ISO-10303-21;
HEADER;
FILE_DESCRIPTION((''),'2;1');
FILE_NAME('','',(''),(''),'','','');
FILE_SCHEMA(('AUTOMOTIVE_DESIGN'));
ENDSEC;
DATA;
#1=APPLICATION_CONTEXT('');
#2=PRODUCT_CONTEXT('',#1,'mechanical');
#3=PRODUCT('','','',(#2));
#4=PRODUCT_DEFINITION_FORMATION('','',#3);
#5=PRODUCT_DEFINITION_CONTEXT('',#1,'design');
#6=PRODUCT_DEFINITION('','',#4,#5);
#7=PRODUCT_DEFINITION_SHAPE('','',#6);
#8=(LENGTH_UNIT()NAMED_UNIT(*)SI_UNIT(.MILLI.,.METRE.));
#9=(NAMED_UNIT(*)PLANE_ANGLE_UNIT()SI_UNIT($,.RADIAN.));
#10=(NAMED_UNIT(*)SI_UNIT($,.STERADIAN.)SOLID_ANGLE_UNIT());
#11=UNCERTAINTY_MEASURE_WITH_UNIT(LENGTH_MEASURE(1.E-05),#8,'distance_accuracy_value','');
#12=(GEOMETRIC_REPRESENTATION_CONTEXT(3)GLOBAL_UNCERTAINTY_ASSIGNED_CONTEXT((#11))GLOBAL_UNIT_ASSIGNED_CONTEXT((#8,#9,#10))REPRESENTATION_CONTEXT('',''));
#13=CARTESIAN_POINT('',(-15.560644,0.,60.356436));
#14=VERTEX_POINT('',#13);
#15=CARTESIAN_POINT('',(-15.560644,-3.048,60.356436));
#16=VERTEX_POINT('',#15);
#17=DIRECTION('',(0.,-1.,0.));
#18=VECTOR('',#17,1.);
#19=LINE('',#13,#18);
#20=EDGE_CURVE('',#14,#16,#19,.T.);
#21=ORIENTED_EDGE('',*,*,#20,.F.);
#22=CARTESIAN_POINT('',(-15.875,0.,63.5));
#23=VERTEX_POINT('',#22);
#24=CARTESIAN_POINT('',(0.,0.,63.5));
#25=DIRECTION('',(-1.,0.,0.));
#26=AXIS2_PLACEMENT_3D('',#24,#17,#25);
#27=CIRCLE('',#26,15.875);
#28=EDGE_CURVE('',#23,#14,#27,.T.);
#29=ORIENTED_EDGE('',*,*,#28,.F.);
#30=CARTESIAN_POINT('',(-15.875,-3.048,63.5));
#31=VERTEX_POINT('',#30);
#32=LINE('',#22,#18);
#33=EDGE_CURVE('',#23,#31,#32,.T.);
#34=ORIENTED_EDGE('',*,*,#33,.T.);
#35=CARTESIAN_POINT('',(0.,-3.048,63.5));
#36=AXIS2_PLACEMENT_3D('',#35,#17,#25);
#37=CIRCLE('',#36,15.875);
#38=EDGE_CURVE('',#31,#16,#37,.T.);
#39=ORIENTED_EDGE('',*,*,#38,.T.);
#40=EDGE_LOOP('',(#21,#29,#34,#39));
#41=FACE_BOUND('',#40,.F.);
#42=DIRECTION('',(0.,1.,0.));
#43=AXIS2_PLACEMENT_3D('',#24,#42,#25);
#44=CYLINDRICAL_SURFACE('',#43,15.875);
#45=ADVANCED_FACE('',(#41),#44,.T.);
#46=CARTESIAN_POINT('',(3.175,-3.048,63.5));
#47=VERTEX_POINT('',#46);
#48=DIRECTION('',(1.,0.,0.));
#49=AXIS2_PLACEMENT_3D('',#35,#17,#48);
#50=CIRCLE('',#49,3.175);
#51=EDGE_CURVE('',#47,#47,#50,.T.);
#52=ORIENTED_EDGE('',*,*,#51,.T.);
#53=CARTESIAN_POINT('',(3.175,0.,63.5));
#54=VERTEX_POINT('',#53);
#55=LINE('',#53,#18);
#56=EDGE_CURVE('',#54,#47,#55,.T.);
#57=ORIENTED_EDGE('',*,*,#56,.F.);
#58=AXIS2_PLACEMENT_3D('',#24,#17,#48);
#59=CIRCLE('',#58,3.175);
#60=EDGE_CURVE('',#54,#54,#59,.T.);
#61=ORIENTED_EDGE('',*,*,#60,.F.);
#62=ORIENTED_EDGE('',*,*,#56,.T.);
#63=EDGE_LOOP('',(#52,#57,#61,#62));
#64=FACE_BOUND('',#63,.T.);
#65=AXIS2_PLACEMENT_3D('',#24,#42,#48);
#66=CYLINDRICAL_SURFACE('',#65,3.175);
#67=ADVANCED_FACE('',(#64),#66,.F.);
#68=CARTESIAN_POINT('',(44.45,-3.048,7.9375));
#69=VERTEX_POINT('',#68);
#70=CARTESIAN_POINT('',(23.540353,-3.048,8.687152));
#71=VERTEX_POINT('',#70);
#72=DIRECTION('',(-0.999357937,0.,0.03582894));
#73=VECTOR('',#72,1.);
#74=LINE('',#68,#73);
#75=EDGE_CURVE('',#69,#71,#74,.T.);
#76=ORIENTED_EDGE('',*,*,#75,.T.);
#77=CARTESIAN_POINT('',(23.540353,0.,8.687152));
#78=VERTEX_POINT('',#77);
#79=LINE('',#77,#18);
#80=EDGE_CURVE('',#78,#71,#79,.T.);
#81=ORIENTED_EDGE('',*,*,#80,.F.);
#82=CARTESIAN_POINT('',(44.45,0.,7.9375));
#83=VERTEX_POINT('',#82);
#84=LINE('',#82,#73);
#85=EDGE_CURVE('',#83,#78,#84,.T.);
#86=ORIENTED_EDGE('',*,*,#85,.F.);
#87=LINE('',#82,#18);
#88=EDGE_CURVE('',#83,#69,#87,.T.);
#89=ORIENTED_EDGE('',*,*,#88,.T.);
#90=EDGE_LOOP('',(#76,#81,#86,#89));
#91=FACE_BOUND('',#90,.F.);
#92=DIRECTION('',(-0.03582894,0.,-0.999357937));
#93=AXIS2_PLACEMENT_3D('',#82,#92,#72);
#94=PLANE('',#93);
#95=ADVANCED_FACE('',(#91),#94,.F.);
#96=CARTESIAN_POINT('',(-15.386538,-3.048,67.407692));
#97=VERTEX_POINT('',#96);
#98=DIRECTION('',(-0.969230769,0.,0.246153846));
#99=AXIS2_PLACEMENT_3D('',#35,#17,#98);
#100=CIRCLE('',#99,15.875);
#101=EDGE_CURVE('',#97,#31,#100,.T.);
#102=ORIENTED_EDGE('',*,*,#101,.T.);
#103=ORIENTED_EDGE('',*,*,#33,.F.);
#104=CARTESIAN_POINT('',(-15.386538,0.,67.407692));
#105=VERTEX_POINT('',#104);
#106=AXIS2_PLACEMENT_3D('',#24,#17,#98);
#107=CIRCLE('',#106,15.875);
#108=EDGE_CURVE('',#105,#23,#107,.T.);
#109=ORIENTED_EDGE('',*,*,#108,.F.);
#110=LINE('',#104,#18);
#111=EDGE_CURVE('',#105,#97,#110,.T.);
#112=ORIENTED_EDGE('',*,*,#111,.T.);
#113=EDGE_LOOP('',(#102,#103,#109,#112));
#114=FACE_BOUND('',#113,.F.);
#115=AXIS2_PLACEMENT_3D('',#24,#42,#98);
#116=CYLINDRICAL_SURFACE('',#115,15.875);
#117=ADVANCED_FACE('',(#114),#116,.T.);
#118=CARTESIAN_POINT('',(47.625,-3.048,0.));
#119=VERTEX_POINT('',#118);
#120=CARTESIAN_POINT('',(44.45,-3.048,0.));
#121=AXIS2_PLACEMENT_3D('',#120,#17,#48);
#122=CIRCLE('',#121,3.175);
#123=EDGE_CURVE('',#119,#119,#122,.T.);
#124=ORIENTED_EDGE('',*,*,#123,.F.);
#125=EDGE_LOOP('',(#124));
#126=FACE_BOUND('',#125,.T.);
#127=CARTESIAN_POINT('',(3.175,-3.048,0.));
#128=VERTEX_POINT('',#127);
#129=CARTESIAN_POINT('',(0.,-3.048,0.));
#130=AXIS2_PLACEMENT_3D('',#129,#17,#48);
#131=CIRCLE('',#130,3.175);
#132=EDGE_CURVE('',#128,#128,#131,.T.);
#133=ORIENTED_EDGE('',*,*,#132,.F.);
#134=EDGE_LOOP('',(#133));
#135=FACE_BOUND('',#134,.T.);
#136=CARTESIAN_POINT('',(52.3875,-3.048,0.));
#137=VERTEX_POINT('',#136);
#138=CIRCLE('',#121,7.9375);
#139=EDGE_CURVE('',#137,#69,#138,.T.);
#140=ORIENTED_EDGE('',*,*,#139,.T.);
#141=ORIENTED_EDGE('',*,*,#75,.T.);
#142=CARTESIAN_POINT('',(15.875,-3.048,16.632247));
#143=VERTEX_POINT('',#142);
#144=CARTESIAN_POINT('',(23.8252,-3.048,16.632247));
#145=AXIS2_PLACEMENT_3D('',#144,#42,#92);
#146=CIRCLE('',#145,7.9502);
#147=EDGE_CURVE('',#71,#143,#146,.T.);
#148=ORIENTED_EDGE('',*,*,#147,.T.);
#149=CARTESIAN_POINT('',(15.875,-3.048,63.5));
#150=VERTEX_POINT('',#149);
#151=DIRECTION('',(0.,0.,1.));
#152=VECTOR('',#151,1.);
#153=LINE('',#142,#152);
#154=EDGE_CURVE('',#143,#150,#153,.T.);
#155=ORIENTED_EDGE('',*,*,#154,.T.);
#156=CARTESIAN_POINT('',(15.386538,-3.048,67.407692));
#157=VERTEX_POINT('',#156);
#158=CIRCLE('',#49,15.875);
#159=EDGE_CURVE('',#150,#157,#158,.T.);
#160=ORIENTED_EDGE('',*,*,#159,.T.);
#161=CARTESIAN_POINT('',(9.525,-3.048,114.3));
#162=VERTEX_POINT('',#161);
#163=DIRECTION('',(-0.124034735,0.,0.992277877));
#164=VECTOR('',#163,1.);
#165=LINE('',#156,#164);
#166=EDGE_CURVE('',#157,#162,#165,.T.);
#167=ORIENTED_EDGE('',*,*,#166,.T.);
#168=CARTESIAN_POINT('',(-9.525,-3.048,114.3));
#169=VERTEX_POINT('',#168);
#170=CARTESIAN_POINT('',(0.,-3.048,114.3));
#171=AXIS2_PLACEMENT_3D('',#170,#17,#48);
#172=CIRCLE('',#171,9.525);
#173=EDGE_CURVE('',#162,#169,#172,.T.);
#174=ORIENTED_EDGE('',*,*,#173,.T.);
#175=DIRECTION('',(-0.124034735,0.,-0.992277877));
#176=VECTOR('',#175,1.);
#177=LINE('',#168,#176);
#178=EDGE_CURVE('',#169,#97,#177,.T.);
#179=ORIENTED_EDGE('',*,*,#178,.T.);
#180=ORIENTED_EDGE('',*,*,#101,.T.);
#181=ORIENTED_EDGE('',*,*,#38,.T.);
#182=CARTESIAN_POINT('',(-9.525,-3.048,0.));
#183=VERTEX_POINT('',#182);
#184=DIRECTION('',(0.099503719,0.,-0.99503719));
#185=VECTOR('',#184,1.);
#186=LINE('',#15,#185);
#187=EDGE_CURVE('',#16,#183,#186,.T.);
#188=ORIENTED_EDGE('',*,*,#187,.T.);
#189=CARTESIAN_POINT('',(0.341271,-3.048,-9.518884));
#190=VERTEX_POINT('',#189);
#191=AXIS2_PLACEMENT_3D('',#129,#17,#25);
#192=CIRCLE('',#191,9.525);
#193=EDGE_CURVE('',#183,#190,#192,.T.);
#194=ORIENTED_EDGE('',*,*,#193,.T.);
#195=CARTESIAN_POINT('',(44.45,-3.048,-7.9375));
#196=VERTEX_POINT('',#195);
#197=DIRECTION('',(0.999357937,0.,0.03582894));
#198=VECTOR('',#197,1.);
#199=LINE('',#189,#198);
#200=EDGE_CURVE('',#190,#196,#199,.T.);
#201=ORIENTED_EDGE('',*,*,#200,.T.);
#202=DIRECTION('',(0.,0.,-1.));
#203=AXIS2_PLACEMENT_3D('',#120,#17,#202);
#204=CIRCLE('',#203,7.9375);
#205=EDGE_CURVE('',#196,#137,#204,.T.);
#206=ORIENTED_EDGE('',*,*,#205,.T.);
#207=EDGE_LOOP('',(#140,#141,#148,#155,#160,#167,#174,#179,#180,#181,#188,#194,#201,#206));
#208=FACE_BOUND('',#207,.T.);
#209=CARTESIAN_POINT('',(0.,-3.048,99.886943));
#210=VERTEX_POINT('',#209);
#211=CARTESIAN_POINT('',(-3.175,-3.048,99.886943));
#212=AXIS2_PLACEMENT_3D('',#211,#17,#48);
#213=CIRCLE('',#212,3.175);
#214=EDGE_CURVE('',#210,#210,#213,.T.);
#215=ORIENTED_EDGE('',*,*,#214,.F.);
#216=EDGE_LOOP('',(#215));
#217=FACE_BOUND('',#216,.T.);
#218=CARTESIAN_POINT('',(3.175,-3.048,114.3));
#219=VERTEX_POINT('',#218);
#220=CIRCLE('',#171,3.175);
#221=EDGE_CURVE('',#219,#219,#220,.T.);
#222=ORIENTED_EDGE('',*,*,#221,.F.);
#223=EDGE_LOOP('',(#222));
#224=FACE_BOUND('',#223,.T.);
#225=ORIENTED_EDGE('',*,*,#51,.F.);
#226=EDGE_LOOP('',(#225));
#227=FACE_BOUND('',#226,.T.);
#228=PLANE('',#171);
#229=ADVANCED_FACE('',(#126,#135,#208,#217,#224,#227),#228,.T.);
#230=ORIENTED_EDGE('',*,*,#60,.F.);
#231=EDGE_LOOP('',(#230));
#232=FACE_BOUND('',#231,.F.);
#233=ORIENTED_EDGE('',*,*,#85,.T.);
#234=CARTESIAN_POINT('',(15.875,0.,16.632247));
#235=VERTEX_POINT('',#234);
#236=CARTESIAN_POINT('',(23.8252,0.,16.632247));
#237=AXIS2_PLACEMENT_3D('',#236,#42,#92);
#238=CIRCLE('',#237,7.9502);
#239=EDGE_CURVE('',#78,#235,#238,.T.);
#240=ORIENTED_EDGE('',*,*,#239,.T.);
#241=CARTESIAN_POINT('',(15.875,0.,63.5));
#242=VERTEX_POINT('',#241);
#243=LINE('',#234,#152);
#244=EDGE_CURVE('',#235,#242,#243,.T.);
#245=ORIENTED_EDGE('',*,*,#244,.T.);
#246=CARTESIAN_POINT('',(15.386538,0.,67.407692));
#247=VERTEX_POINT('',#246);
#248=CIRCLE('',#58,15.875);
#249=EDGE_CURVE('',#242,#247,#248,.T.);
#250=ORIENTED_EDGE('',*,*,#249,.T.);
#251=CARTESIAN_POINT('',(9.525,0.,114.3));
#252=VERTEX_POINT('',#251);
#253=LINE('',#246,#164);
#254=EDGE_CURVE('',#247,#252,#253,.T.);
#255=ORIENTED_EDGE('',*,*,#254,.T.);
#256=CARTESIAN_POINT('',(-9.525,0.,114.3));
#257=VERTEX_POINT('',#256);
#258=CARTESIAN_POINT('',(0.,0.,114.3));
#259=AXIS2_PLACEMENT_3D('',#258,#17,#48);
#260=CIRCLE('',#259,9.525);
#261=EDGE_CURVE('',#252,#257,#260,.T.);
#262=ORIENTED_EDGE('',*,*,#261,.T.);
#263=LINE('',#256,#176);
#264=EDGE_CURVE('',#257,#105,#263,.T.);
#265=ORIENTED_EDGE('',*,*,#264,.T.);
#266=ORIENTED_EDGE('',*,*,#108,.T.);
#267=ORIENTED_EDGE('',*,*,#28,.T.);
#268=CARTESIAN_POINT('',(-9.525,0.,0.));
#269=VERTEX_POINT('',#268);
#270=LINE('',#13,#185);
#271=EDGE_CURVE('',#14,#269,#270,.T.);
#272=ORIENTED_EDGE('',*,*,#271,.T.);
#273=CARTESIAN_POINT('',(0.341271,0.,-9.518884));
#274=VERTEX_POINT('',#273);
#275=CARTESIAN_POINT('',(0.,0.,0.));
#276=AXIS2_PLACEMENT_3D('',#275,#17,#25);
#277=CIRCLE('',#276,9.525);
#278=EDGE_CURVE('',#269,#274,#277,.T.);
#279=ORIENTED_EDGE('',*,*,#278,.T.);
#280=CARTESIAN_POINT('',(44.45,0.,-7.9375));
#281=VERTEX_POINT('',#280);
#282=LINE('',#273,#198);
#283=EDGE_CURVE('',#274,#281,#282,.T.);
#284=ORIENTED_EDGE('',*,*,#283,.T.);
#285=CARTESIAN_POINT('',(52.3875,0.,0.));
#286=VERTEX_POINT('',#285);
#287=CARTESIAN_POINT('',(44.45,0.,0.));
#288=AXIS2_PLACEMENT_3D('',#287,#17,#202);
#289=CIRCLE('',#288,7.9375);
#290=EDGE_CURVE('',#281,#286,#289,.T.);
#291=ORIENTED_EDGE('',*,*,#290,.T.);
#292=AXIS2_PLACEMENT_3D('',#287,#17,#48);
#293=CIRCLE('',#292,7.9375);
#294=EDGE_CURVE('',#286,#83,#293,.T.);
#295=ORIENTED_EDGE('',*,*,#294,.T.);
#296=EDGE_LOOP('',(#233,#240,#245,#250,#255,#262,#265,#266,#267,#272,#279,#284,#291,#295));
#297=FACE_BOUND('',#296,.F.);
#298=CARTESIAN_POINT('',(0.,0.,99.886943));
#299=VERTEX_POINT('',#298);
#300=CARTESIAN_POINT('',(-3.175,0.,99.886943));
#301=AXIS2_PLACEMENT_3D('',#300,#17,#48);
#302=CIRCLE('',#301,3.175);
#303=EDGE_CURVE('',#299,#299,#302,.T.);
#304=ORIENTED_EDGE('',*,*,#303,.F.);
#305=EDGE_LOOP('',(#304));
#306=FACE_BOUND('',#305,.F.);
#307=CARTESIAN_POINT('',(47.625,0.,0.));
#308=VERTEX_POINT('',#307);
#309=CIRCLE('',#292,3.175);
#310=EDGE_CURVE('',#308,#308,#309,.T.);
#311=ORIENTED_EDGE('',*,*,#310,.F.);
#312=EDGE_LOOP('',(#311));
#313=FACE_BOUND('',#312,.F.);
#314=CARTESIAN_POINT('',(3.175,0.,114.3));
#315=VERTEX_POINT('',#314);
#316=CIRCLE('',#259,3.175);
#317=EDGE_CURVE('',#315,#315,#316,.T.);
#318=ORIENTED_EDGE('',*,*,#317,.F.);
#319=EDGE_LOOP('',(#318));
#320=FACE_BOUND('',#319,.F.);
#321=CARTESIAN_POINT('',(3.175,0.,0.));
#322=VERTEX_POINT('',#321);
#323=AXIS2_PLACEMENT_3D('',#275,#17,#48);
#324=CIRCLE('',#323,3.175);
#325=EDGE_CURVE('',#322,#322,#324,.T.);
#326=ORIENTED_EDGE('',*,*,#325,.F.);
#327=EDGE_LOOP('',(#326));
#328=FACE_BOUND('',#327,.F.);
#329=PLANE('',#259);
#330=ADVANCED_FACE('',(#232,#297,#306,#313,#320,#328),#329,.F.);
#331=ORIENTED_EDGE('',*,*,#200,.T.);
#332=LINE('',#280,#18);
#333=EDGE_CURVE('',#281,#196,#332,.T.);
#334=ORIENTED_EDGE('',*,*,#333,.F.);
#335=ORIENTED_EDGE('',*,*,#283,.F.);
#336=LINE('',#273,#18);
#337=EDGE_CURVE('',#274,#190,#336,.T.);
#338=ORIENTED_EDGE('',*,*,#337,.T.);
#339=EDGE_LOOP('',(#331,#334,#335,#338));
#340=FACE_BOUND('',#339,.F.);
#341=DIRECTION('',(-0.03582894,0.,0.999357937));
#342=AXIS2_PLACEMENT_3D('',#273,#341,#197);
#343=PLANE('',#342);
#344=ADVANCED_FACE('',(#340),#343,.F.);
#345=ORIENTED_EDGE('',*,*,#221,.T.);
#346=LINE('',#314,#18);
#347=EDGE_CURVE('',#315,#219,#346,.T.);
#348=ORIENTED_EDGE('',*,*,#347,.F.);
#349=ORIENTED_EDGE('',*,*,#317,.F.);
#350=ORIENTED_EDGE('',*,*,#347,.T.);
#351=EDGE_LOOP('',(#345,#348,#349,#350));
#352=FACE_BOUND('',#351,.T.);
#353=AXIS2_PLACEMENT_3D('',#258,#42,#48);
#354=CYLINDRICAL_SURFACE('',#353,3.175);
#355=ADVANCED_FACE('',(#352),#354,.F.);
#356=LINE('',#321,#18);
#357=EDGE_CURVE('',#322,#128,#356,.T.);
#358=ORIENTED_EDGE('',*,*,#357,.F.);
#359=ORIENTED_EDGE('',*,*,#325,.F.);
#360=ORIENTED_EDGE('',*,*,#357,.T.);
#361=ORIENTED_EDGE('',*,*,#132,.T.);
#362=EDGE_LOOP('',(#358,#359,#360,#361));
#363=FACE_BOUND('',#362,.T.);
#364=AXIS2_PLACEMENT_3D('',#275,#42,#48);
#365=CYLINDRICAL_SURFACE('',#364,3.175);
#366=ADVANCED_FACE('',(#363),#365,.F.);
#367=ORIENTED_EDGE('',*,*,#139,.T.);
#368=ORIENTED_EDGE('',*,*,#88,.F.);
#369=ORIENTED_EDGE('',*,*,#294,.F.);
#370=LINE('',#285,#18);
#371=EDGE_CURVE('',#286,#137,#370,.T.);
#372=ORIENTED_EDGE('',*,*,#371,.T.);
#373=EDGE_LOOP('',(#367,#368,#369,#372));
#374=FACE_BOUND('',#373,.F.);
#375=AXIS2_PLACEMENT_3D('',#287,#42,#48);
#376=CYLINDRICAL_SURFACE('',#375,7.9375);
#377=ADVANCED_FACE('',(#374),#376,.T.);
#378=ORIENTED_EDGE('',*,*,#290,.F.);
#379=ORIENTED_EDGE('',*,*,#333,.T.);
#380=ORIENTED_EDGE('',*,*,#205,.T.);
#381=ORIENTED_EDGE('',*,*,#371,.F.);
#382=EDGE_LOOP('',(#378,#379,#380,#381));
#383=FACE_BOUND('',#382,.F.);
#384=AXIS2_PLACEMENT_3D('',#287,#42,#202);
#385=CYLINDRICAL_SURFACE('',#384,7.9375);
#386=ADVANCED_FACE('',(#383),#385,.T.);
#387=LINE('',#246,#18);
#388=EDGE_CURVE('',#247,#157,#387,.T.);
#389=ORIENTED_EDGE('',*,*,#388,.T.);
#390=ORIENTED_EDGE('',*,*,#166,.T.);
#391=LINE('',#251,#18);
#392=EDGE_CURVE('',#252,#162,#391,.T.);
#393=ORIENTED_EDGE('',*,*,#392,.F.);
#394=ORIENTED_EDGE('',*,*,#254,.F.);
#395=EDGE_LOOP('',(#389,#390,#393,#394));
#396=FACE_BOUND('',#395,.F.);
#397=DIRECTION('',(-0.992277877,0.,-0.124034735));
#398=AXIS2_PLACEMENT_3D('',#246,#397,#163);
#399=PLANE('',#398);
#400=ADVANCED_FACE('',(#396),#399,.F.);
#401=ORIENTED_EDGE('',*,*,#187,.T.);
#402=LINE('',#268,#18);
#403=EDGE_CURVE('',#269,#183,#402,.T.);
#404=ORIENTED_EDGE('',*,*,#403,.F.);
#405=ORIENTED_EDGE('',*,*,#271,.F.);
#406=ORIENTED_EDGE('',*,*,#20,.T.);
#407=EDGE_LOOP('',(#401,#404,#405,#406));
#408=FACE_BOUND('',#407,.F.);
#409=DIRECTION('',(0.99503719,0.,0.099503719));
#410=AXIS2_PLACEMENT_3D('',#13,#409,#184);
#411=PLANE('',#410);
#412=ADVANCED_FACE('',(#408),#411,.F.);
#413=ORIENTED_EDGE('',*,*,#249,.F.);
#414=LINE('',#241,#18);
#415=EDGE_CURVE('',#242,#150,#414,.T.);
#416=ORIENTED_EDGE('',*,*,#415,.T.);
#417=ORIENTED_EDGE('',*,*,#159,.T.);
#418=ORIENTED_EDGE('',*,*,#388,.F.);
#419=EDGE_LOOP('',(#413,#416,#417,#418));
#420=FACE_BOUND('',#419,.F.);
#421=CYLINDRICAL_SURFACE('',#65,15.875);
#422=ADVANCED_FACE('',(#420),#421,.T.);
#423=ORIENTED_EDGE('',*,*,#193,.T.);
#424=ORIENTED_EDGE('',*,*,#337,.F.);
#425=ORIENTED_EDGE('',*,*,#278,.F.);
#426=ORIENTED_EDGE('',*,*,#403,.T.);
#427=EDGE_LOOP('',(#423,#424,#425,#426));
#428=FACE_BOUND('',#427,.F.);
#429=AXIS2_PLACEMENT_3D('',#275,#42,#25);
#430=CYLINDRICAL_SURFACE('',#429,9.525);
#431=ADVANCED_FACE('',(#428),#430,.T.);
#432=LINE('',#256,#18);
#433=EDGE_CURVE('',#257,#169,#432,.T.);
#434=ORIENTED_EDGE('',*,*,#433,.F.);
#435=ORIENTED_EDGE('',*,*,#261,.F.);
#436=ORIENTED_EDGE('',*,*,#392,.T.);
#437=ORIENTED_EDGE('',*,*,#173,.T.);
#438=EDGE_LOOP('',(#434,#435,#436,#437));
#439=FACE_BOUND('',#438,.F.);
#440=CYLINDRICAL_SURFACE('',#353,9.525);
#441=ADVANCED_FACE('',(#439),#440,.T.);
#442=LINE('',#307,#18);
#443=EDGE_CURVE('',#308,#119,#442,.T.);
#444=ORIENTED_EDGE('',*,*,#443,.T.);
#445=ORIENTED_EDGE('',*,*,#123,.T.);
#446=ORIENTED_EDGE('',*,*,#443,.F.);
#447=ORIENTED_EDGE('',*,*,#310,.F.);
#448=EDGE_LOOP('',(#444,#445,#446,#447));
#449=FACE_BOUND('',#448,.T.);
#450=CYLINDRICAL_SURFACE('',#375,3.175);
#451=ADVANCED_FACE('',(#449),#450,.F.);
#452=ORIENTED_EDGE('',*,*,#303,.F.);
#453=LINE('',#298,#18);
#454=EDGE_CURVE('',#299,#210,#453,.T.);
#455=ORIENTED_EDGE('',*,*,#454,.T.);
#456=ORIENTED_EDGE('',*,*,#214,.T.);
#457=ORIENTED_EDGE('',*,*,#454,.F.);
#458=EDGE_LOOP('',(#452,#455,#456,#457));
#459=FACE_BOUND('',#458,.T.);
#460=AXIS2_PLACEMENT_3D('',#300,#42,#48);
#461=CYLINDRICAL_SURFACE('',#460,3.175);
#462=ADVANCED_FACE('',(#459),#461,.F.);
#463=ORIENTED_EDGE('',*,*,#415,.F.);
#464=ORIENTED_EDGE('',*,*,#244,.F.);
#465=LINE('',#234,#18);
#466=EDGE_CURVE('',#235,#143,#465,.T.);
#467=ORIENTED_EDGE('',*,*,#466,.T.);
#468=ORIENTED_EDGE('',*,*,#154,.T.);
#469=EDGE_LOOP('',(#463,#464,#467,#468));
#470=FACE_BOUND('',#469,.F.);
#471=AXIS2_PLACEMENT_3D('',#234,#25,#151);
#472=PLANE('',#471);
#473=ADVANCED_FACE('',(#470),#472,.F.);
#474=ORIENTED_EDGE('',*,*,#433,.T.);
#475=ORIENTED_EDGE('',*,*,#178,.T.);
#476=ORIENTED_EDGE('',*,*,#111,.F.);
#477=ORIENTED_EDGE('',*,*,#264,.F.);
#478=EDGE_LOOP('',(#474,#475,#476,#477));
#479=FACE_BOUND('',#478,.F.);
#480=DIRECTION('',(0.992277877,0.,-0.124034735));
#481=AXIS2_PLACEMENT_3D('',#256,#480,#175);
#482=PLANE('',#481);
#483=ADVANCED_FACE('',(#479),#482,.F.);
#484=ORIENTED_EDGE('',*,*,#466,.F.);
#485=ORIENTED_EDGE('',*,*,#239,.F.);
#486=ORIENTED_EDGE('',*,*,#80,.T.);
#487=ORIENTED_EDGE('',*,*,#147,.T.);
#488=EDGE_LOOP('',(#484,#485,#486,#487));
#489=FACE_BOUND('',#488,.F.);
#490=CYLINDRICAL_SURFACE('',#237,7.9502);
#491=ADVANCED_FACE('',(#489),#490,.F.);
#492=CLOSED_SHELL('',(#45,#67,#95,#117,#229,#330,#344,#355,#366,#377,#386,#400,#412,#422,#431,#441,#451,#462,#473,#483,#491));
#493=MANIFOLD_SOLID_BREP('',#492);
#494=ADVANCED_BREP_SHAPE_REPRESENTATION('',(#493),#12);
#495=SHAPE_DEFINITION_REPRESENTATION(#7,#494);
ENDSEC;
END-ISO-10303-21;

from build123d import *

# Parameters (mm, degrees)
F0_R     = 3.175
F1_DEPTH = 3.048


with BuildPart() as f1:
    # F0 (on Front) → F1 (new body)
    with BuildSketch(Plane.XZ):
        with BuildLine():
            ThreePointArc((-9.525, 114.3), (0, 104.775), (9.525, 114.3))
            ThreePointArc((9.525, 114.3), (0, 123.825), (-9.525, 114.3))
        make_face()
        with Locations((0, 114.3)):
            Circle(F0_R, mode=Mode.SUBTRACT)
        with BuildLine():
            Line((15.3865384615, 67.4076923077), (9.525, 114.3))
            ThreePointArc((9.525, 114.3), (0, 104.775), (-9.525, 114.3))
            Line((-9.525, 114.3), (-15.3865384615, 67.4076923077))
            ThreePointArc((-15.3865384615, 67.4076923077), (0, 79.375), (15.3865384615, 67.4076923077))
        make_face()
        with Locations((-3.175, 99.886942851)):
            Circle(F0_R, mode=Mode.SUBTRACT)
        with BuildLine():
            Line((15.875, 63.5), (15.3865384615, 67.4076923077))
            ThreePointArc((15.3865384615, 67.4076923077), (0, 79.375), (-15.3865384615, 67.4076923077))
            Line((-15.3865384615, 67.4076923077), (-15.875, 63.5))
            Line((-15.875, 63.5), (-15.5606435644, 60.3564356436))
            ThreePointArc((-15.5606435644, 60.3564356436), (1.5796215395, 47.7037846054), (15.875, 63.5))
        make_face()
        with Locations((0, 63.5)):
            Circle(F0_R, mode=Mode.SUBTRACT)
        with BuildLine():
            ThreePointArc((15.875, 63.5), (15.7524112928, 65.4690514116), (15.3865384615, 67.4076923077))
            Line((15.3865384615, 67.4076923077), (15.875, 63.5))
        make_face()
        with BuildLine():
            Line((-15.875, 63.5), (-15.3865384615, 67.4076923077))
            ThreePointArc((-15.3865384615, 67.4076923077), (-15.7524112928, 65.4690514116), (-15.875, 63.5))
        make_face()
        with BuildLine():
            Line((15.875, 16.6322472884), (15.875, 63.5))
            ThreePointArc((15.875, 63.5), (1.5796215395, 47.7037846054), (-15.5606435644, 60.3564356436))
            Line((-15.5606435644, 60.3564356436), (-9.525, 0))
            ThreePointArc((-9.525, 0), (0, 9.525), (9.525, 0))
            ThreePointArc((9.525, 0), (6.8547876682, -6.6134341324), (0.3412706511, -9.5188843539))
            Line((0.3412706511, -9.5188843539), (44.45, -7.9375))
            ThreePointArc((44.45, -7.9375), (36.5125, 0), (44.45, 7.9375))
            Line((44.45, 7.9375), (23.5403527632, 8.6871518144))
            ThreePointArc((23.5403527632, 8.6871518144), (18.1037372263, 11.1122342659), (15.875, 16.6322472884))
        make_face()
        with BuildLine():
            Line((-15.5606435644, 60.3564356436), (-15.875, 63.5))
            ThreePointArc((-15.875, 63.5), (-15.7962153946, 61.9203784605), (-15.5606435644, 60.3564356436))
        make_face()
        with BuildLine():
            ThreePointArc((9.525, 0), (0, 9.525), (-9.525, 0))
            ThreePointArc((-9.525, 0), (-6.6134341324, -6.8547876682), (0.3412706511, -9.5188843539))
            ThreePointArc((0.3412706511, -9.5188843539), (6.8547876682, -6.6134341324), (9.525, 0))
        make_face()
        Circle(F0_R, mode=Mode.SUBTRACT)
        with BuildLine():
            ThreePointArc((52.3875, 0), (50.0626600757, 5.6126600757), (44.45, 7.9375))
            ThreePointArc((44.45, 7.9375), (36.5125, 0), (44.45, -7.9375))
            ThreePointArc((44.45, -7.9375), (50.0626600757, -5.6126600757), (52.3875, 0))
        make_face()
        with Locations((44.45, 0)):
            Circle(F0_R, mode=Mode.SUBTRACT)
    extrude(amount=F1_DEPTH)


solid = f1.part
